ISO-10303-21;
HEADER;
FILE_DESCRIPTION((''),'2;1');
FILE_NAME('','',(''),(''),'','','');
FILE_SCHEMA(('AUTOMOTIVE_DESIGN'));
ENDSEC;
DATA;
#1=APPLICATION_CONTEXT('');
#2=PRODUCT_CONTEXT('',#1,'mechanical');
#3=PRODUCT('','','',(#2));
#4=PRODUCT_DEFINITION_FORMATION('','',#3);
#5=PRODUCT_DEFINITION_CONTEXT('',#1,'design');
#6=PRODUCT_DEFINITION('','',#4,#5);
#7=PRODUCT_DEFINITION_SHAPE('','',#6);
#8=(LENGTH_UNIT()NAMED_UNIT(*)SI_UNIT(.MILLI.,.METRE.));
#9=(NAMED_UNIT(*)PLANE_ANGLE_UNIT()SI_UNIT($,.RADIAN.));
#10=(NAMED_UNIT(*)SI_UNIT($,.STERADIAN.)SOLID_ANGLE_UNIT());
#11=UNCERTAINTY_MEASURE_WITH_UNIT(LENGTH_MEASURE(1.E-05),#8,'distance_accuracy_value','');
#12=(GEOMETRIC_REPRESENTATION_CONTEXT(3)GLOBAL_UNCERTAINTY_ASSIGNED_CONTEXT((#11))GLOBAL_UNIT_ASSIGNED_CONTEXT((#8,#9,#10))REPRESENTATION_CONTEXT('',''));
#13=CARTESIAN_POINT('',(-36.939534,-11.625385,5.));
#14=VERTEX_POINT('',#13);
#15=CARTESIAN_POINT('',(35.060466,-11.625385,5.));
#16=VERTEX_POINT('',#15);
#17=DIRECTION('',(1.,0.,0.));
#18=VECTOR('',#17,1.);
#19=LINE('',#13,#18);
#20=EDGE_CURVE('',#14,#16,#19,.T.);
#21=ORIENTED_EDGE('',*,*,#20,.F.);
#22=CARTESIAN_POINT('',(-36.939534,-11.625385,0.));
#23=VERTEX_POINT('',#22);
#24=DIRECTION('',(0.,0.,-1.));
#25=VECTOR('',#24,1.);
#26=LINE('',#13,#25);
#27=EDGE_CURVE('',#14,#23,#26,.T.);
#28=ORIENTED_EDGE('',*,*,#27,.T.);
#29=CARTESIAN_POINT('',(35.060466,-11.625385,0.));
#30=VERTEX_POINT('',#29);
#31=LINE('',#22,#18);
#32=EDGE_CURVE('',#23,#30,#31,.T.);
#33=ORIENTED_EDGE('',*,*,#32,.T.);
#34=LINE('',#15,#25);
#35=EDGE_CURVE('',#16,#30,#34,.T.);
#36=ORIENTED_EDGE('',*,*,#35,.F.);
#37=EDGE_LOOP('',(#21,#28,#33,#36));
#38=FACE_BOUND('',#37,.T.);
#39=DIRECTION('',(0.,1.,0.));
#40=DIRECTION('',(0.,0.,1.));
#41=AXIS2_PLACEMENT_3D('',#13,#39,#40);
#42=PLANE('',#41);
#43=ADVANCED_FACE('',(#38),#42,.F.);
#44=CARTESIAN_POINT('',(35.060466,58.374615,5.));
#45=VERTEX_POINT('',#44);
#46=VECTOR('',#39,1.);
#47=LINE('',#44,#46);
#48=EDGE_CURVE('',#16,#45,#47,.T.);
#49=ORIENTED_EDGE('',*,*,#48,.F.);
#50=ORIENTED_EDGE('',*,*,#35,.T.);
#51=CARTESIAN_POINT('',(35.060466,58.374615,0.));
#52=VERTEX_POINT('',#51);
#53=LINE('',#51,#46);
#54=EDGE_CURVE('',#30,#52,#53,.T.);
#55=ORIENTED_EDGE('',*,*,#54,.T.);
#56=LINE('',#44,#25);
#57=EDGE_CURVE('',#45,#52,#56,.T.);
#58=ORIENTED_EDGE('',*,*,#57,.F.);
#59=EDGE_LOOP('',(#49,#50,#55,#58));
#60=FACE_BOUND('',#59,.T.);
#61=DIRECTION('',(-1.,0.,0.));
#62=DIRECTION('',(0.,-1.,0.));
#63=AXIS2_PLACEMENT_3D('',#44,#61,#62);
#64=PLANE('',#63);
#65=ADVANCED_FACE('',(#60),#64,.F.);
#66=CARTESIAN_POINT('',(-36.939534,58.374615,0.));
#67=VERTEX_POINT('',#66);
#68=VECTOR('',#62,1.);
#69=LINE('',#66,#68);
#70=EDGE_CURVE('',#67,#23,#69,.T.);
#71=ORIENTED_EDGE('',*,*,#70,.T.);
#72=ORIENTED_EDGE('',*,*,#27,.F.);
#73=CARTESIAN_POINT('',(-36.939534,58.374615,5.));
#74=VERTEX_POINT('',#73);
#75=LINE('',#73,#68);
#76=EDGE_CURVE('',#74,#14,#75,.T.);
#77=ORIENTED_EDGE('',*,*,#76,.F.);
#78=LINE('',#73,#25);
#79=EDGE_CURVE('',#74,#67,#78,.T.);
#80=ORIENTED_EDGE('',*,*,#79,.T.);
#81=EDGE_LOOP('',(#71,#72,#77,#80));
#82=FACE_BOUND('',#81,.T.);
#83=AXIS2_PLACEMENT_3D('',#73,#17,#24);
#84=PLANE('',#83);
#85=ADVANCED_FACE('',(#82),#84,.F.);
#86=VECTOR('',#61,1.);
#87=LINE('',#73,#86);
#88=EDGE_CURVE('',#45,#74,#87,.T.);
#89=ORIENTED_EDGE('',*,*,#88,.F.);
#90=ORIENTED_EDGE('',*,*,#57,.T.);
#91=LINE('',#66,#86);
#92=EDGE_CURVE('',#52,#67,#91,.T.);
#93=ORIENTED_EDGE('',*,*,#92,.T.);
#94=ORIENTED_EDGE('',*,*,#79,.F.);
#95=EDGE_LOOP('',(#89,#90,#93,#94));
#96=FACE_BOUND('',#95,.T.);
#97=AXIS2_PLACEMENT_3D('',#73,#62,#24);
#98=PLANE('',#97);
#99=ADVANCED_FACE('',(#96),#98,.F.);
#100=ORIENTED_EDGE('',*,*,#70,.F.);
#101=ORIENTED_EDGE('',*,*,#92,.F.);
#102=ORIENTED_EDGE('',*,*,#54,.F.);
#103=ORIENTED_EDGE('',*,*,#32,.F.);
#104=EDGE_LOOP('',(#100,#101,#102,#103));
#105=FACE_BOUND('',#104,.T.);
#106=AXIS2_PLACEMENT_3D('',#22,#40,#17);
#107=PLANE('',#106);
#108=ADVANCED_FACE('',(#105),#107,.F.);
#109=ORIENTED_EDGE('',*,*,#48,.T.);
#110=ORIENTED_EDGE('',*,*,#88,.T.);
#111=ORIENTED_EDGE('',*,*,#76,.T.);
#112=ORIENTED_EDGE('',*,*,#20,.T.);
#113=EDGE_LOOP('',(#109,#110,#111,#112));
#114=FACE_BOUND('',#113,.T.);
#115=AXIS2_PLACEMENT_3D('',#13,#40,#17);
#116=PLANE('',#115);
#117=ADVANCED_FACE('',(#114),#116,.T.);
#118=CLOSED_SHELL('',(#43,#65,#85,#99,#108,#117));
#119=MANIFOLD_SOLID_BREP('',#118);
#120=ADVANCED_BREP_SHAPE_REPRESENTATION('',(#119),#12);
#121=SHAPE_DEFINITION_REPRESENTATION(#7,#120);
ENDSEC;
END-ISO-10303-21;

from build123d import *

# Parameters (mm, degrees)
ESQUISSE1_W      = 72
ESQUISSE1_H      = 70
EXTRUSION1_DEPTH = 5


with BuildPart() as part:
    # Esquisse1 → Extrusion1 (new body)
    with BuildSketch(Plane.XY):
        with Locations((-0.9395338, 23.374615385)):
            Rectangle(ESQUISSE1_W, ESQUISSE1_H)
    extrude(amount=EXTRUSION1_DEPTH)


solid = part.part
